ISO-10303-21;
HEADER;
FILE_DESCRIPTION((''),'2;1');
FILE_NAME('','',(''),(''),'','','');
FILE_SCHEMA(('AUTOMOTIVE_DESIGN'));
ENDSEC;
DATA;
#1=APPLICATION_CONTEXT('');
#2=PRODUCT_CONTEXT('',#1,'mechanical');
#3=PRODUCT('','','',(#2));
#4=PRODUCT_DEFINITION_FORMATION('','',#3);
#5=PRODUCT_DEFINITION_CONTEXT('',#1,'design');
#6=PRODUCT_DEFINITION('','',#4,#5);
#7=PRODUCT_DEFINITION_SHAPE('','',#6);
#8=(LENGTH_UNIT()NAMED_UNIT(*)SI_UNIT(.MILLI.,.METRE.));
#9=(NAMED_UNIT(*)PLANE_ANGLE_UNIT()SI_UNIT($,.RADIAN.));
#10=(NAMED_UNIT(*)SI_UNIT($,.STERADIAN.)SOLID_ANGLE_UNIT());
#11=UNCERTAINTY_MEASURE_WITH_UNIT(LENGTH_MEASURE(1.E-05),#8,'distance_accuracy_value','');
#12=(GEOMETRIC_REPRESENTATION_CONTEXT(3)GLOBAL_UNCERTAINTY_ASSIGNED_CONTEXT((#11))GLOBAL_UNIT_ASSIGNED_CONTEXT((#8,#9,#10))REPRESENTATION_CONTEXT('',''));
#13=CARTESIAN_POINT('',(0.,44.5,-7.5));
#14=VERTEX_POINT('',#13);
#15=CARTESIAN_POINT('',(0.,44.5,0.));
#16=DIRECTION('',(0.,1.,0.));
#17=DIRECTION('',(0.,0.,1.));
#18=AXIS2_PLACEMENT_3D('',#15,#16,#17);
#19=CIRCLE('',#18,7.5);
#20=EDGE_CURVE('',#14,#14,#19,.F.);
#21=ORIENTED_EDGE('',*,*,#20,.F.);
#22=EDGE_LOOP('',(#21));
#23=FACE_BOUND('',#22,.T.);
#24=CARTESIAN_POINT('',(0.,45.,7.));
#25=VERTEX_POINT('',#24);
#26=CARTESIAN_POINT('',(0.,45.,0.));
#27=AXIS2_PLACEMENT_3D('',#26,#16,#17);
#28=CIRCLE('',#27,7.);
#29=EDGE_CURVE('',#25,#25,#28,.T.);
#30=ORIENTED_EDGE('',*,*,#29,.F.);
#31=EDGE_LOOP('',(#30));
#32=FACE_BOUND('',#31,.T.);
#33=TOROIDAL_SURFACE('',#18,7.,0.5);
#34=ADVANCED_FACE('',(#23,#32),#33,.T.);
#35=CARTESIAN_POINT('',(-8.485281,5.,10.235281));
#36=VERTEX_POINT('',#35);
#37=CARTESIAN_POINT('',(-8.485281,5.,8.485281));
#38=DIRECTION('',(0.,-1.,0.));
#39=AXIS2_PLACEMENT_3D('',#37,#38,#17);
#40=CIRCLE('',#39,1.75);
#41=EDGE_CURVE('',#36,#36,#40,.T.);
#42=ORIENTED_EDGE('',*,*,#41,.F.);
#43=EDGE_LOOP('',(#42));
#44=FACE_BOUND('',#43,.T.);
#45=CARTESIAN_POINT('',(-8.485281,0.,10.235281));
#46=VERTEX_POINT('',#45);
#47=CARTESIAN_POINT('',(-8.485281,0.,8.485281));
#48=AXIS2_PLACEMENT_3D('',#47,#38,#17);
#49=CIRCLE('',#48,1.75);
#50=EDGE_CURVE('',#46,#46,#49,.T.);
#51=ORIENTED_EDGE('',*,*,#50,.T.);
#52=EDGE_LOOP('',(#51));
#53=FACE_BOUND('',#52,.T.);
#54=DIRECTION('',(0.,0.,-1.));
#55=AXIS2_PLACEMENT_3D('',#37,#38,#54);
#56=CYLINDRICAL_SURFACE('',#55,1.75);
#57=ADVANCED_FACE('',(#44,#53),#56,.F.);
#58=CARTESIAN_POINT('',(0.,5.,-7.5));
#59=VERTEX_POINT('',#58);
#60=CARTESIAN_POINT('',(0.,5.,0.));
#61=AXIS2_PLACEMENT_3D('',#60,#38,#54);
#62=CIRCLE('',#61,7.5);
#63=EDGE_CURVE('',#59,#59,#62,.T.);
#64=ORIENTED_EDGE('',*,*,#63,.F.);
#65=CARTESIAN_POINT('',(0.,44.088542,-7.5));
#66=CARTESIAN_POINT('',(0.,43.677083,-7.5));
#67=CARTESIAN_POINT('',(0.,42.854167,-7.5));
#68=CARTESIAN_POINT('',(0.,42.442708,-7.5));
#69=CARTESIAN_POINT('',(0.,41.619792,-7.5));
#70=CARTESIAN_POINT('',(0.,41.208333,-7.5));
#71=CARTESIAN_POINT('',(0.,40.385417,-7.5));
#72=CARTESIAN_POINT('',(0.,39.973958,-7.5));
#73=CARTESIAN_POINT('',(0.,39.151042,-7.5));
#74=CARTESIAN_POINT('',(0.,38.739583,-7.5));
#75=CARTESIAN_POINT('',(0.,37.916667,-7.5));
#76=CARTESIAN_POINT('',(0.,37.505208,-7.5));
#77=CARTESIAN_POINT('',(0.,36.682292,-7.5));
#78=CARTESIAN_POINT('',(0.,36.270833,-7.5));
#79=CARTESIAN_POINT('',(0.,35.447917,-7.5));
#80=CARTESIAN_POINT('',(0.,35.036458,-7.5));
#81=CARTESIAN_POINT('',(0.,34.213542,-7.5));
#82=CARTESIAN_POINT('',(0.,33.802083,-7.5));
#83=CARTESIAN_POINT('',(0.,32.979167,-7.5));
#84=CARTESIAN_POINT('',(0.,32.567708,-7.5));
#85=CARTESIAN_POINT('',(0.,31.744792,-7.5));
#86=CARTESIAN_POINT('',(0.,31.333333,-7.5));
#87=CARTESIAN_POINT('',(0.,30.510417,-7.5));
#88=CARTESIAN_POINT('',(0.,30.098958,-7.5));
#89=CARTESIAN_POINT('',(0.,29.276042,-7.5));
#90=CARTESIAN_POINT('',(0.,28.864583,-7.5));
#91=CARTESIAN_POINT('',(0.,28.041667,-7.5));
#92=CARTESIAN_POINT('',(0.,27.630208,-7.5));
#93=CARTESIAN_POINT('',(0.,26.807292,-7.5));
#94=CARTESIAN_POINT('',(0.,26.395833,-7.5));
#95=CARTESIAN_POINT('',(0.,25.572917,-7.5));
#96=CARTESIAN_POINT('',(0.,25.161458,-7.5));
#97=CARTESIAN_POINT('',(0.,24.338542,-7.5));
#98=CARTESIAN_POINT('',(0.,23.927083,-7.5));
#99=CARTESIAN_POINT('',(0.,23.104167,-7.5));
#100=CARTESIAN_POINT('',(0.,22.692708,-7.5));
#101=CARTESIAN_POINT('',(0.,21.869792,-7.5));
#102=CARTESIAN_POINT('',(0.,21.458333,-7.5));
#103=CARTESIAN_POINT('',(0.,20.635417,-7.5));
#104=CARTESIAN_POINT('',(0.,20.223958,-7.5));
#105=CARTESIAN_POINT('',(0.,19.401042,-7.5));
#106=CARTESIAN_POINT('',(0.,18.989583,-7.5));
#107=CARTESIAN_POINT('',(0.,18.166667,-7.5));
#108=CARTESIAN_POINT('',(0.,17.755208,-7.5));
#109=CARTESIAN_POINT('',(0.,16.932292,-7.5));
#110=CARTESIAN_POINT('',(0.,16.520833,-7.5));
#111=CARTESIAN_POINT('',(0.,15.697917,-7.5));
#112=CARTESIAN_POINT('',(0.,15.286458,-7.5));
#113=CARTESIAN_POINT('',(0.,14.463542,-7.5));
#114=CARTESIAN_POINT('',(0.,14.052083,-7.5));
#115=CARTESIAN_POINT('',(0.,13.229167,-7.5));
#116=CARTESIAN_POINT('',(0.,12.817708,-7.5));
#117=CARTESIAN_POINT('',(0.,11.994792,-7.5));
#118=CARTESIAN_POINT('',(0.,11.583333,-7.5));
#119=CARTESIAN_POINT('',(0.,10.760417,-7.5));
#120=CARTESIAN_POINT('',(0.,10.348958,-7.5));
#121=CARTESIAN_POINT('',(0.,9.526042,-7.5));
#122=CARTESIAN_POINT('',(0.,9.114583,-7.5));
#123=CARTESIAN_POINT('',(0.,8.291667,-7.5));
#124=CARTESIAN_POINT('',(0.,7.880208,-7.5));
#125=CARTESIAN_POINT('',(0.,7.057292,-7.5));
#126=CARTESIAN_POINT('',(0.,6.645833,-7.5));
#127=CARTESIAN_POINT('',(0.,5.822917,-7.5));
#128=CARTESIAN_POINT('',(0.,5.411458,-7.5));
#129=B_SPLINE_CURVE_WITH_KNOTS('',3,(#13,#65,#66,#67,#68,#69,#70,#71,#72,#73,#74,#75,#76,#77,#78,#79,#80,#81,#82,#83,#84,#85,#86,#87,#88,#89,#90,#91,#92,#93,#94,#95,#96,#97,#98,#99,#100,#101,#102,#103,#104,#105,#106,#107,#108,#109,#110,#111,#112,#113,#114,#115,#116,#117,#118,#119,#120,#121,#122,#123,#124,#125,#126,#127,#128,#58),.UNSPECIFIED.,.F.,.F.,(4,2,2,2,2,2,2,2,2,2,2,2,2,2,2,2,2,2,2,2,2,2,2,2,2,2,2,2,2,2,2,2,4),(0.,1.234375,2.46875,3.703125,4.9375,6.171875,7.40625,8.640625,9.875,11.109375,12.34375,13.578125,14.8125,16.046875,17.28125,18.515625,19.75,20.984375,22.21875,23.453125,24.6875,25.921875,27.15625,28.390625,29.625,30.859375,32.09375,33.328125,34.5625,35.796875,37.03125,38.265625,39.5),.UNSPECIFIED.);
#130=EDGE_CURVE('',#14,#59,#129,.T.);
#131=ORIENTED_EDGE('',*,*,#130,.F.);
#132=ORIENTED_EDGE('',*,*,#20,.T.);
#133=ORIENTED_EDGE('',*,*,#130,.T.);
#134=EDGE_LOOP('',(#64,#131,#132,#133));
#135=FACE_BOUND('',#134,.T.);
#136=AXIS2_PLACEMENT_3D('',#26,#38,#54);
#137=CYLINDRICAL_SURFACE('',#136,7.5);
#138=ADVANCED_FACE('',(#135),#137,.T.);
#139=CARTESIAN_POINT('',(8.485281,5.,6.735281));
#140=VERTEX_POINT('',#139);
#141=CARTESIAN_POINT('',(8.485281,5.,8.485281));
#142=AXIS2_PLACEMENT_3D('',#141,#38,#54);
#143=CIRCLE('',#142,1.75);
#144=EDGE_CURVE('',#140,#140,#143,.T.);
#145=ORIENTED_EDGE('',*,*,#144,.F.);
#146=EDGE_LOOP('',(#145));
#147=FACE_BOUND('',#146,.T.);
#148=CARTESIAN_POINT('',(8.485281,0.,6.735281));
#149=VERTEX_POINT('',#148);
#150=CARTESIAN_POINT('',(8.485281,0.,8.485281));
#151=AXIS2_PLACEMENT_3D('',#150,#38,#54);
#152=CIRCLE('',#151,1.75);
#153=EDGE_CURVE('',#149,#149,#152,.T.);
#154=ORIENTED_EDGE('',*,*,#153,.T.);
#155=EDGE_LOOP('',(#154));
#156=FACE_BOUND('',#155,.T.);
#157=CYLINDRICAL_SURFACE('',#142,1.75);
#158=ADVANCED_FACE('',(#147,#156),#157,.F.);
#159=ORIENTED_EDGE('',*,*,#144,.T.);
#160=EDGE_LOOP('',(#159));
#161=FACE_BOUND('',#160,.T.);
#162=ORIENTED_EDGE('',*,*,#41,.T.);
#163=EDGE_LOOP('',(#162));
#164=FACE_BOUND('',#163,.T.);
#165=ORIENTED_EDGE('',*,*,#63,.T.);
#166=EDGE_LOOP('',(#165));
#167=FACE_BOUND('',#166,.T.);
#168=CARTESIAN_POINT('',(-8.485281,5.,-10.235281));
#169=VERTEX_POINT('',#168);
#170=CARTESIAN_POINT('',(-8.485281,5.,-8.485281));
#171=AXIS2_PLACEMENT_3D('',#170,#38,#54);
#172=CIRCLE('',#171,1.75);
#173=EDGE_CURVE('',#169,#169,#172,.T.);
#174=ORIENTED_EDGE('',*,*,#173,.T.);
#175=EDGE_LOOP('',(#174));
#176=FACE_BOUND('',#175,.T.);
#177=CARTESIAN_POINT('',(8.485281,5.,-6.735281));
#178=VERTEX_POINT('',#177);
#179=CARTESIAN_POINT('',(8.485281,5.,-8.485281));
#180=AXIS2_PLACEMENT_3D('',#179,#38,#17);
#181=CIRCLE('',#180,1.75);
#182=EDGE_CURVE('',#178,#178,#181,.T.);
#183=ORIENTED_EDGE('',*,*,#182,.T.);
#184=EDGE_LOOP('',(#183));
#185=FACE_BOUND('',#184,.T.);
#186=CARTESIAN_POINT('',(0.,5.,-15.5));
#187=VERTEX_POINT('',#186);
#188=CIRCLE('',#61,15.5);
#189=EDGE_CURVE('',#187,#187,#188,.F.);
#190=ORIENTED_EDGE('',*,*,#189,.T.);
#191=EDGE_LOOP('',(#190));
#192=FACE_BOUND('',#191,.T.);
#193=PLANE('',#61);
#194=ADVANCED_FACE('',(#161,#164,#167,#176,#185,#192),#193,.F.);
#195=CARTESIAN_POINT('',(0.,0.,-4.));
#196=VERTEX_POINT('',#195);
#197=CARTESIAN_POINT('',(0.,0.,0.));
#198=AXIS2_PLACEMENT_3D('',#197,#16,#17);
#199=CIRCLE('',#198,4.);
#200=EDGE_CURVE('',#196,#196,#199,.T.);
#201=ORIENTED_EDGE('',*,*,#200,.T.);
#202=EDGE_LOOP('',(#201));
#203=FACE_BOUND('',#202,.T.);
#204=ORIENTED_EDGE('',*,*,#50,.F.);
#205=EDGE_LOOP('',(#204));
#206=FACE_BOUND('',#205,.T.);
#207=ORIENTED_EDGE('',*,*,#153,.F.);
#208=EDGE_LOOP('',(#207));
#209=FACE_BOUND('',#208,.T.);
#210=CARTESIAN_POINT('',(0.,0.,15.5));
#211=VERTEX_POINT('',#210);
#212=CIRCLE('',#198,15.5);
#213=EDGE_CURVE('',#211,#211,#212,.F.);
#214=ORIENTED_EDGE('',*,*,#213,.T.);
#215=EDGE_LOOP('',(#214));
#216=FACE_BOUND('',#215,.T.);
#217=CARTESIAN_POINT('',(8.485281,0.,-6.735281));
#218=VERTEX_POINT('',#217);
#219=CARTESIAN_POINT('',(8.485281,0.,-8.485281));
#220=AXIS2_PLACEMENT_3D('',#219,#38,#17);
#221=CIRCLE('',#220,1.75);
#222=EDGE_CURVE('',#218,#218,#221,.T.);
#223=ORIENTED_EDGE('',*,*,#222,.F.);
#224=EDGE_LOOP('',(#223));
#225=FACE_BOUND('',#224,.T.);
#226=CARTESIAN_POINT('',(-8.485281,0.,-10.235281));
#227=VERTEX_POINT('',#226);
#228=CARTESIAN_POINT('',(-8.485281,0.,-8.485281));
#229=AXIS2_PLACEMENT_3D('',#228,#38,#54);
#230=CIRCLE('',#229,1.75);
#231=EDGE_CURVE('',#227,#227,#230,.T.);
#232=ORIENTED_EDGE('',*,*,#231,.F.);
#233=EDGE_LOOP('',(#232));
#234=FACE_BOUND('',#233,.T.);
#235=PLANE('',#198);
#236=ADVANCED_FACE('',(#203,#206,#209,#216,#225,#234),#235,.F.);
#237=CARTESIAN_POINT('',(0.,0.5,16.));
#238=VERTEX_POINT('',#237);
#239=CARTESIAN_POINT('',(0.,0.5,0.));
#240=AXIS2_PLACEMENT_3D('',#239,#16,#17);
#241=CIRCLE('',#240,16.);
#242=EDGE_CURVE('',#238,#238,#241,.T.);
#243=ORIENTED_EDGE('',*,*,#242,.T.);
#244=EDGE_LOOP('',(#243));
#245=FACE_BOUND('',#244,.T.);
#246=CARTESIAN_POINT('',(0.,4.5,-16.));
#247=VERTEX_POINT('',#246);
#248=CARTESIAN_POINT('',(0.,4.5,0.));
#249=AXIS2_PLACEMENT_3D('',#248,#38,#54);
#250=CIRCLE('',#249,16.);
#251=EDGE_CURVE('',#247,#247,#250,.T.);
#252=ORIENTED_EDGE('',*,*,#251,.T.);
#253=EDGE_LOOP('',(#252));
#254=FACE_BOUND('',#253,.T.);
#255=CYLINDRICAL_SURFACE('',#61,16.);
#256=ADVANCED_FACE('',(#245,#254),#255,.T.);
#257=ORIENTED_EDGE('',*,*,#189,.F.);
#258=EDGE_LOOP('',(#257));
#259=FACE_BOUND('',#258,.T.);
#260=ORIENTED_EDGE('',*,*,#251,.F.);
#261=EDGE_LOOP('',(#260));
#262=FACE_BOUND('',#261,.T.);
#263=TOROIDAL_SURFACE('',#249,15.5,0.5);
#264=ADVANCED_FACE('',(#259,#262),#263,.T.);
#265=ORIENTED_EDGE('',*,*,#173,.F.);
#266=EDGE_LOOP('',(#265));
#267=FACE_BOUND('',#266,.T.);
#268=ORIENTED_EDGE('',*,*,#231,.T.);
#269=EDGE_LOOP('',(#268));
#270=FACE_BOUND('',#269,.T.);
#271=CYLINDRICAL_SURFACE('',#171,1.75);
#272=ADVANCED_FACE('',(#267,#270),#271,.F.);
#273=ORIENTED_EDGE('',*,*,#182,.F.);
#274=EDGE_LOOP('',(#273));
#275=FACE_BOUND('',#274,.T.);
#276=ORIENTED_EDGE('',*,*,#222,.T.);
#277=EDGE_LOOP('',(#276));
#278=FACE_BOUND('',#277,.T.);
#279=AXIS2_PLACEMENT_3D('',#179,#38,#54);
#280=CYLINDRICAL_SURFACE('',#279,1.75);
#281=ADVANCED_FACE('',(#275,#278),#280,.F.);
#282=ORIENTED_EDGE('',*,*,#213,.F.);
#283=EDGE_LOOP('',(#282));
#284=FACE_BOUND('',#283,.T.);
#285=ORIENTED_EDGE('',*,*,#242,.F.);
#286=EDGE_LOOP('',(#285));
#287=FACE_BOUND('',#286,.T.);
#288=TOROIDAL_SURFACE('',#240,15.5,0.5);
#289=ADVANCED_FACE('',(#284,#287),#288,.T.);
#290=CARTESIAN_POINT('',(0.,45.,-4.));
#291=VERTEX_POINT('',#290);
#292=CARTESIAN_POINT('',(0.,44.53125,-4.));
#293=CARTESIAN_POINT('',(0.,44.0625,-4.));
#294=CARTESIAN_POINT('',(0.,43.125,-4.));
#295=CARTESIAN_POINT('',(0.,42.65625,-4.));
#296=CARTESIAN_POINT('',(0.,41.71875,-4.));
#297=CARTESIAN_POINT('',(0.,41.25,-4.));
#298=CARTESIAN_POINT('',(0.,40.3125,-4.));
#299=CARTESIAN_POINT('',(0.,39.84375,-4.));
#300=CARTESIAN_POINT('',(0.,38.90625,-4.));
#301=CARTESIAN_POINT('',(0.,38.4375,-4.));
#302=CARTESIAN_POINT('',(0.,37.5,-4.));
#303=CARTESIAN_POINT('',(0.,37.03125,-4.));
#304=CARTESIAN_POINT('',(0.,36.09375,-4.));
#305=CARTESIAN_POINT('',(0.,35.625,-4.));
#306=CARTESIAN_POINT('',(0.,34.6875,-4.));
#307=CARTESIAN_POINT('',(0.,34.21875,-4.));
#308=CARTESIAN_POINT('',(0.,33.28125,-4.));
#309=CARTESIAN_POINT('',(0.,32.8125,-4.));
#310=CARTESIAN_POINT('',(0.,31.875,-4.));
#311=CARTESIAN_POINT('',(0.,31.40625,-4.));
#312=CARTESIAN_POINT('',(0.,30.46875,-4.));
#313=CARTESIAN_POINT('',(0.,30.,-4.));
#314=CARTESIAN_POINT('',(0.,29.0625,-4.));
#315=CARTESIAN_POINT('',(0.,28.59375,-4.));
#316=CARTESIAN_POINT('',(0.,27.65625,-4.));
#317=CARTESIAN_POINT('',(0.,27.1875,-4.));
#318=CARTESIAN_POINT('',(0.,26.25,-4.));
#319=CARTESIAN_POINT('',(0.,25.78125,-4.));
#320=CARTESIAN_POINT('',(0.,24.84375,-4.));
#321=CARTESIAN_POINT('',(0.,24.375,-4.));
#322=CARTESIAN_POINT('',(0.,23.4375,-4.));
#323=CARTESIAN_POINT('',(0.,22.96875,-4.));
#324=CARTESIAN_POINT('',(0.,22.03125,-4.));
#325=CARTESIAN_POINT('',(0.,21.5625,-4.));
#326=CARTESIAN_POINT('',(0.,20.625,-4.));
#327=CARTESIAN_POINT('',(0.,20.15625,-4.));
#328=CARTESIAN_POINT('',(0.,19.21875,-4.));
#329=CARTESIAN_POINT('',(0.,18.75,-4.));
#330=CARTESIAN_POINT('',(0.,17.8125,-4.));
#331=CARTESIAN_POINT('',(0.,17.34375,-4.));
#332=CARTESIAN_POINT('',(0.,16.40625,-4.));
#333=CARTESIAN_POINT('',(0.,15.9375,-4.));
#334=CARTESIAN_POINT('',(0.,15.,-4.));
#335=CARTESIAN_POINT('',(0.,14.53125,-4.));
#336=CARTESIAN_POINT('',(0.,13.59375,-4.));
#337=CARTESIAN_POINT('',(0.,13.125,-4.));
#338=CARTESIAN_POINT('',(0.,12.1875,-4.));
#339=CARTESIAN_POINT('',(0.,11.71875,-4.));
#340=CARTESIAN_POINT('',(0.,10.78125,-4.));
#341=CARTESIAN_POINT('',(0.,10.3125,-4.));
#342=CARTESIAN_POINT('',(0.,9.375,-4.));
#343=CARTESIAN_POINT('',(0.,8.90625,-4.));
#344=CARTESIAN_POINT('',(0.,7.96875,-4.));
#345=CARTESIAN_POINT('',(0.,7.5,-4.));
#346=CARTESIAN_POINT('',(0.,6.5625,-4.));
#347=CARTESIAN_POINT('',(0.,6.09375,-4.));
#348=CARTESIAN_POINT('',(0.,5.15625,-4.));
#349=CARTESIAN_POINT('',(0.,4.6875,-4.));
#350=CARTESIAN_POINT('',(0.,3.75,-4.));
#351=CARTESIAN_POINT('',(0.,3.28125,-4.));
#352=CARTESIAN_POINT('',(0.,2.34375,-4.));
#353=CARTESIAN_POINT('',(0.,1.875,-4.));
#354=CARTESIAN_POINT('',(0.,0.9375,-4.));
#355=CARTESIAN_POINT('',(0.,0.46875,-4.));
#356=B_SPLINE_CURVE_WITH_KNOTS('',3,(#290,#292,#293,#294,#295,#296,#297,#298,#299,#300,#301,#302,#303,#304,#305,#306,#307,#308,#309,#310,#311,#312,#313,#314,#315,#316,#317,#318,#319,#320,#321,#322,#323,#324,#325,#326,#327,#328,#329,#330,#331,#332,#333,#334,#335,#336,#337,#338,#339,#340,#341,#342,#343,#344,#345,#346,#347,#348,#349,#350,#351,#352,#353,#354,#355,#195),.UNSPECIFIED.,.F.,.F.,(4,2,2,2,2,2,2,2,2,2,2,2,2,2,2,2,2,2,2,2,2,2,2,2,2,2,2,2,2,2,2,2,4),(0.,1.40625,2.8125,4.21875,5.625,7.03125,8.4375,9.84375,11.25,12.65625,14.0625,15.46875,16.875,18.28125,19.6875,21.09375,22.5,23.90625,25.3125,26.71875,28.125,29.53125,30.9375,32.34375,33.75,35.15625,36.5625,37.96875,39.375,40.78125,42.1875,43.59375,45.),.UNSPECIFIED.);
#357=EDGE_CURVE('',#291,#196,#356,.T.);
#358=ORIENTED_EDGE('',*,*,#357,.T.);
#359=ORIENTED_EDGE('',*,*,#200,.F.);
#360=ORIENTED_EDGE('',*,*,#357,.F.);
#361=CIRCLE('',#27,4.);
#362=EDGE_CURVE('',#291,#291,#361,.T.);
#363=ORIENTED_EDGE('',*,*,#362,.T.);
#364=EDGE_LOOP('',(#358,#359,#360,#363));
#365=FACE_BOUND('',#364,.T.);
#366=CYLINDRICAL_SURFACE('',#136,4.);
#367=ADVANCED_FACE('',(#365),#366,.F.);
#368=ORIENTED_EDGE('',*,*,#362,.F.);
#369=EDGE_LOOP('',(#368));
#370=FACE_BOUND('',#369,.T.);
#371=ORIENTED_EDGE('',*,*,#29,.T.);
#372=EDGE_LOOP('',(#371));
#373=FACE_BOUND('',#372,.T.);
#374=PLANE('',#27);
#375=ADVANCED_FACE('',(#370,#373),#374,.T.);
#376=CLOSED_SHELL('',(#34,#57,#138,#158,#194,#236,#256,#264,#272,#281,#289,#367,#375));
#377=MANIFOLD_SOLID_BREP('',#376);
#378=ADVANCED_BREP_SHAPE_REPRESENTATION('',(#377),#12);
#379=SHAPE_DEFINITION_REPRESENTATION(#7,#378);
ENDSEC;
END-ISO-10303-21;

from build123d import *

# Parameters (mm, degrees)
SKETCH1_R           = 7.5
SKETCH1_R_2         = 4
BOSS_EXTRUDE1_DEPTH = 45
SKETCH2_R           = 16
SKETCH2_R_2         = 1.75
SKETCH2_R_3         = 7.5
BOSS_EXTRUDE2_DEPTH = 5
FILLET2_R           = 0.5


with BuildPart() as part:
    # Sketch1 → Boss-Extrude1 (new body)
    with BuildSketch(Plane(origin=(0, 0, 0), x_dir=(1, 0, 0), z_dir=(0, 1, 0))):
        with Locations(Location((0, 0, 0), (0, 0, 90))):
            Circle(SKETCH1_R)
        with Locations(Location((0, 0, 0), (0, 0, 90))):
            Circle(SKETCH1_R_2, mode=Mode.SUBTRACT)
    extrude(amount=BOSS_EXTRUDE1_DEPTH)

    # Sketch2 → Boss-Extrude2 (add)
    with BuildSketch(Plane.XZ):
        with Locations(Location((0, 0, 0), (0, 0, 270))):
            Circle(SKETCH2_R)
        with Locations(Location((8.485281374, 8.485281374, 0), (0, 0, 270))):
            Circle(SKETCH2_R_2, mode=Mode.SUBTRACT)
        with Locations(Location((0, 0, 0), (0, 0, 270))):
            Circle(SKETCH2_R_3, mode=Mode.SUBTRACT)
        with Locations(Location((-8.485281374, 8.485281374, 0), (0, 0, 90))):
            Circle(SKETCH2_R_2, mode=Mode.SUBTRACT)
        with Locations(Location((-8.485281374, -8.485281374, 0), (0, 0, 270))):
            Circle(SKETCH2_R_2, mode=Mode.SUBTRACT)
        with Locations(Location((8.485281374, -8.485281374, 0), (0, 0, 90))):
            Circle(SKETCH2_R_2, mode=Mode.SUBTRACT)
    extrude(amount=-BOSS_EXTRUDE2_DEPTH)

    # Fillet2
    fillet2_edges = [part.edges().sort_by_distance(p)[0] for p in [
        (0, 5, 16),
        (0, 0, 16),
        (0, 45, 7.5),
    ]]
    fillet(fillet2_edges, radius=FILLET2_R)


solid = part.part
